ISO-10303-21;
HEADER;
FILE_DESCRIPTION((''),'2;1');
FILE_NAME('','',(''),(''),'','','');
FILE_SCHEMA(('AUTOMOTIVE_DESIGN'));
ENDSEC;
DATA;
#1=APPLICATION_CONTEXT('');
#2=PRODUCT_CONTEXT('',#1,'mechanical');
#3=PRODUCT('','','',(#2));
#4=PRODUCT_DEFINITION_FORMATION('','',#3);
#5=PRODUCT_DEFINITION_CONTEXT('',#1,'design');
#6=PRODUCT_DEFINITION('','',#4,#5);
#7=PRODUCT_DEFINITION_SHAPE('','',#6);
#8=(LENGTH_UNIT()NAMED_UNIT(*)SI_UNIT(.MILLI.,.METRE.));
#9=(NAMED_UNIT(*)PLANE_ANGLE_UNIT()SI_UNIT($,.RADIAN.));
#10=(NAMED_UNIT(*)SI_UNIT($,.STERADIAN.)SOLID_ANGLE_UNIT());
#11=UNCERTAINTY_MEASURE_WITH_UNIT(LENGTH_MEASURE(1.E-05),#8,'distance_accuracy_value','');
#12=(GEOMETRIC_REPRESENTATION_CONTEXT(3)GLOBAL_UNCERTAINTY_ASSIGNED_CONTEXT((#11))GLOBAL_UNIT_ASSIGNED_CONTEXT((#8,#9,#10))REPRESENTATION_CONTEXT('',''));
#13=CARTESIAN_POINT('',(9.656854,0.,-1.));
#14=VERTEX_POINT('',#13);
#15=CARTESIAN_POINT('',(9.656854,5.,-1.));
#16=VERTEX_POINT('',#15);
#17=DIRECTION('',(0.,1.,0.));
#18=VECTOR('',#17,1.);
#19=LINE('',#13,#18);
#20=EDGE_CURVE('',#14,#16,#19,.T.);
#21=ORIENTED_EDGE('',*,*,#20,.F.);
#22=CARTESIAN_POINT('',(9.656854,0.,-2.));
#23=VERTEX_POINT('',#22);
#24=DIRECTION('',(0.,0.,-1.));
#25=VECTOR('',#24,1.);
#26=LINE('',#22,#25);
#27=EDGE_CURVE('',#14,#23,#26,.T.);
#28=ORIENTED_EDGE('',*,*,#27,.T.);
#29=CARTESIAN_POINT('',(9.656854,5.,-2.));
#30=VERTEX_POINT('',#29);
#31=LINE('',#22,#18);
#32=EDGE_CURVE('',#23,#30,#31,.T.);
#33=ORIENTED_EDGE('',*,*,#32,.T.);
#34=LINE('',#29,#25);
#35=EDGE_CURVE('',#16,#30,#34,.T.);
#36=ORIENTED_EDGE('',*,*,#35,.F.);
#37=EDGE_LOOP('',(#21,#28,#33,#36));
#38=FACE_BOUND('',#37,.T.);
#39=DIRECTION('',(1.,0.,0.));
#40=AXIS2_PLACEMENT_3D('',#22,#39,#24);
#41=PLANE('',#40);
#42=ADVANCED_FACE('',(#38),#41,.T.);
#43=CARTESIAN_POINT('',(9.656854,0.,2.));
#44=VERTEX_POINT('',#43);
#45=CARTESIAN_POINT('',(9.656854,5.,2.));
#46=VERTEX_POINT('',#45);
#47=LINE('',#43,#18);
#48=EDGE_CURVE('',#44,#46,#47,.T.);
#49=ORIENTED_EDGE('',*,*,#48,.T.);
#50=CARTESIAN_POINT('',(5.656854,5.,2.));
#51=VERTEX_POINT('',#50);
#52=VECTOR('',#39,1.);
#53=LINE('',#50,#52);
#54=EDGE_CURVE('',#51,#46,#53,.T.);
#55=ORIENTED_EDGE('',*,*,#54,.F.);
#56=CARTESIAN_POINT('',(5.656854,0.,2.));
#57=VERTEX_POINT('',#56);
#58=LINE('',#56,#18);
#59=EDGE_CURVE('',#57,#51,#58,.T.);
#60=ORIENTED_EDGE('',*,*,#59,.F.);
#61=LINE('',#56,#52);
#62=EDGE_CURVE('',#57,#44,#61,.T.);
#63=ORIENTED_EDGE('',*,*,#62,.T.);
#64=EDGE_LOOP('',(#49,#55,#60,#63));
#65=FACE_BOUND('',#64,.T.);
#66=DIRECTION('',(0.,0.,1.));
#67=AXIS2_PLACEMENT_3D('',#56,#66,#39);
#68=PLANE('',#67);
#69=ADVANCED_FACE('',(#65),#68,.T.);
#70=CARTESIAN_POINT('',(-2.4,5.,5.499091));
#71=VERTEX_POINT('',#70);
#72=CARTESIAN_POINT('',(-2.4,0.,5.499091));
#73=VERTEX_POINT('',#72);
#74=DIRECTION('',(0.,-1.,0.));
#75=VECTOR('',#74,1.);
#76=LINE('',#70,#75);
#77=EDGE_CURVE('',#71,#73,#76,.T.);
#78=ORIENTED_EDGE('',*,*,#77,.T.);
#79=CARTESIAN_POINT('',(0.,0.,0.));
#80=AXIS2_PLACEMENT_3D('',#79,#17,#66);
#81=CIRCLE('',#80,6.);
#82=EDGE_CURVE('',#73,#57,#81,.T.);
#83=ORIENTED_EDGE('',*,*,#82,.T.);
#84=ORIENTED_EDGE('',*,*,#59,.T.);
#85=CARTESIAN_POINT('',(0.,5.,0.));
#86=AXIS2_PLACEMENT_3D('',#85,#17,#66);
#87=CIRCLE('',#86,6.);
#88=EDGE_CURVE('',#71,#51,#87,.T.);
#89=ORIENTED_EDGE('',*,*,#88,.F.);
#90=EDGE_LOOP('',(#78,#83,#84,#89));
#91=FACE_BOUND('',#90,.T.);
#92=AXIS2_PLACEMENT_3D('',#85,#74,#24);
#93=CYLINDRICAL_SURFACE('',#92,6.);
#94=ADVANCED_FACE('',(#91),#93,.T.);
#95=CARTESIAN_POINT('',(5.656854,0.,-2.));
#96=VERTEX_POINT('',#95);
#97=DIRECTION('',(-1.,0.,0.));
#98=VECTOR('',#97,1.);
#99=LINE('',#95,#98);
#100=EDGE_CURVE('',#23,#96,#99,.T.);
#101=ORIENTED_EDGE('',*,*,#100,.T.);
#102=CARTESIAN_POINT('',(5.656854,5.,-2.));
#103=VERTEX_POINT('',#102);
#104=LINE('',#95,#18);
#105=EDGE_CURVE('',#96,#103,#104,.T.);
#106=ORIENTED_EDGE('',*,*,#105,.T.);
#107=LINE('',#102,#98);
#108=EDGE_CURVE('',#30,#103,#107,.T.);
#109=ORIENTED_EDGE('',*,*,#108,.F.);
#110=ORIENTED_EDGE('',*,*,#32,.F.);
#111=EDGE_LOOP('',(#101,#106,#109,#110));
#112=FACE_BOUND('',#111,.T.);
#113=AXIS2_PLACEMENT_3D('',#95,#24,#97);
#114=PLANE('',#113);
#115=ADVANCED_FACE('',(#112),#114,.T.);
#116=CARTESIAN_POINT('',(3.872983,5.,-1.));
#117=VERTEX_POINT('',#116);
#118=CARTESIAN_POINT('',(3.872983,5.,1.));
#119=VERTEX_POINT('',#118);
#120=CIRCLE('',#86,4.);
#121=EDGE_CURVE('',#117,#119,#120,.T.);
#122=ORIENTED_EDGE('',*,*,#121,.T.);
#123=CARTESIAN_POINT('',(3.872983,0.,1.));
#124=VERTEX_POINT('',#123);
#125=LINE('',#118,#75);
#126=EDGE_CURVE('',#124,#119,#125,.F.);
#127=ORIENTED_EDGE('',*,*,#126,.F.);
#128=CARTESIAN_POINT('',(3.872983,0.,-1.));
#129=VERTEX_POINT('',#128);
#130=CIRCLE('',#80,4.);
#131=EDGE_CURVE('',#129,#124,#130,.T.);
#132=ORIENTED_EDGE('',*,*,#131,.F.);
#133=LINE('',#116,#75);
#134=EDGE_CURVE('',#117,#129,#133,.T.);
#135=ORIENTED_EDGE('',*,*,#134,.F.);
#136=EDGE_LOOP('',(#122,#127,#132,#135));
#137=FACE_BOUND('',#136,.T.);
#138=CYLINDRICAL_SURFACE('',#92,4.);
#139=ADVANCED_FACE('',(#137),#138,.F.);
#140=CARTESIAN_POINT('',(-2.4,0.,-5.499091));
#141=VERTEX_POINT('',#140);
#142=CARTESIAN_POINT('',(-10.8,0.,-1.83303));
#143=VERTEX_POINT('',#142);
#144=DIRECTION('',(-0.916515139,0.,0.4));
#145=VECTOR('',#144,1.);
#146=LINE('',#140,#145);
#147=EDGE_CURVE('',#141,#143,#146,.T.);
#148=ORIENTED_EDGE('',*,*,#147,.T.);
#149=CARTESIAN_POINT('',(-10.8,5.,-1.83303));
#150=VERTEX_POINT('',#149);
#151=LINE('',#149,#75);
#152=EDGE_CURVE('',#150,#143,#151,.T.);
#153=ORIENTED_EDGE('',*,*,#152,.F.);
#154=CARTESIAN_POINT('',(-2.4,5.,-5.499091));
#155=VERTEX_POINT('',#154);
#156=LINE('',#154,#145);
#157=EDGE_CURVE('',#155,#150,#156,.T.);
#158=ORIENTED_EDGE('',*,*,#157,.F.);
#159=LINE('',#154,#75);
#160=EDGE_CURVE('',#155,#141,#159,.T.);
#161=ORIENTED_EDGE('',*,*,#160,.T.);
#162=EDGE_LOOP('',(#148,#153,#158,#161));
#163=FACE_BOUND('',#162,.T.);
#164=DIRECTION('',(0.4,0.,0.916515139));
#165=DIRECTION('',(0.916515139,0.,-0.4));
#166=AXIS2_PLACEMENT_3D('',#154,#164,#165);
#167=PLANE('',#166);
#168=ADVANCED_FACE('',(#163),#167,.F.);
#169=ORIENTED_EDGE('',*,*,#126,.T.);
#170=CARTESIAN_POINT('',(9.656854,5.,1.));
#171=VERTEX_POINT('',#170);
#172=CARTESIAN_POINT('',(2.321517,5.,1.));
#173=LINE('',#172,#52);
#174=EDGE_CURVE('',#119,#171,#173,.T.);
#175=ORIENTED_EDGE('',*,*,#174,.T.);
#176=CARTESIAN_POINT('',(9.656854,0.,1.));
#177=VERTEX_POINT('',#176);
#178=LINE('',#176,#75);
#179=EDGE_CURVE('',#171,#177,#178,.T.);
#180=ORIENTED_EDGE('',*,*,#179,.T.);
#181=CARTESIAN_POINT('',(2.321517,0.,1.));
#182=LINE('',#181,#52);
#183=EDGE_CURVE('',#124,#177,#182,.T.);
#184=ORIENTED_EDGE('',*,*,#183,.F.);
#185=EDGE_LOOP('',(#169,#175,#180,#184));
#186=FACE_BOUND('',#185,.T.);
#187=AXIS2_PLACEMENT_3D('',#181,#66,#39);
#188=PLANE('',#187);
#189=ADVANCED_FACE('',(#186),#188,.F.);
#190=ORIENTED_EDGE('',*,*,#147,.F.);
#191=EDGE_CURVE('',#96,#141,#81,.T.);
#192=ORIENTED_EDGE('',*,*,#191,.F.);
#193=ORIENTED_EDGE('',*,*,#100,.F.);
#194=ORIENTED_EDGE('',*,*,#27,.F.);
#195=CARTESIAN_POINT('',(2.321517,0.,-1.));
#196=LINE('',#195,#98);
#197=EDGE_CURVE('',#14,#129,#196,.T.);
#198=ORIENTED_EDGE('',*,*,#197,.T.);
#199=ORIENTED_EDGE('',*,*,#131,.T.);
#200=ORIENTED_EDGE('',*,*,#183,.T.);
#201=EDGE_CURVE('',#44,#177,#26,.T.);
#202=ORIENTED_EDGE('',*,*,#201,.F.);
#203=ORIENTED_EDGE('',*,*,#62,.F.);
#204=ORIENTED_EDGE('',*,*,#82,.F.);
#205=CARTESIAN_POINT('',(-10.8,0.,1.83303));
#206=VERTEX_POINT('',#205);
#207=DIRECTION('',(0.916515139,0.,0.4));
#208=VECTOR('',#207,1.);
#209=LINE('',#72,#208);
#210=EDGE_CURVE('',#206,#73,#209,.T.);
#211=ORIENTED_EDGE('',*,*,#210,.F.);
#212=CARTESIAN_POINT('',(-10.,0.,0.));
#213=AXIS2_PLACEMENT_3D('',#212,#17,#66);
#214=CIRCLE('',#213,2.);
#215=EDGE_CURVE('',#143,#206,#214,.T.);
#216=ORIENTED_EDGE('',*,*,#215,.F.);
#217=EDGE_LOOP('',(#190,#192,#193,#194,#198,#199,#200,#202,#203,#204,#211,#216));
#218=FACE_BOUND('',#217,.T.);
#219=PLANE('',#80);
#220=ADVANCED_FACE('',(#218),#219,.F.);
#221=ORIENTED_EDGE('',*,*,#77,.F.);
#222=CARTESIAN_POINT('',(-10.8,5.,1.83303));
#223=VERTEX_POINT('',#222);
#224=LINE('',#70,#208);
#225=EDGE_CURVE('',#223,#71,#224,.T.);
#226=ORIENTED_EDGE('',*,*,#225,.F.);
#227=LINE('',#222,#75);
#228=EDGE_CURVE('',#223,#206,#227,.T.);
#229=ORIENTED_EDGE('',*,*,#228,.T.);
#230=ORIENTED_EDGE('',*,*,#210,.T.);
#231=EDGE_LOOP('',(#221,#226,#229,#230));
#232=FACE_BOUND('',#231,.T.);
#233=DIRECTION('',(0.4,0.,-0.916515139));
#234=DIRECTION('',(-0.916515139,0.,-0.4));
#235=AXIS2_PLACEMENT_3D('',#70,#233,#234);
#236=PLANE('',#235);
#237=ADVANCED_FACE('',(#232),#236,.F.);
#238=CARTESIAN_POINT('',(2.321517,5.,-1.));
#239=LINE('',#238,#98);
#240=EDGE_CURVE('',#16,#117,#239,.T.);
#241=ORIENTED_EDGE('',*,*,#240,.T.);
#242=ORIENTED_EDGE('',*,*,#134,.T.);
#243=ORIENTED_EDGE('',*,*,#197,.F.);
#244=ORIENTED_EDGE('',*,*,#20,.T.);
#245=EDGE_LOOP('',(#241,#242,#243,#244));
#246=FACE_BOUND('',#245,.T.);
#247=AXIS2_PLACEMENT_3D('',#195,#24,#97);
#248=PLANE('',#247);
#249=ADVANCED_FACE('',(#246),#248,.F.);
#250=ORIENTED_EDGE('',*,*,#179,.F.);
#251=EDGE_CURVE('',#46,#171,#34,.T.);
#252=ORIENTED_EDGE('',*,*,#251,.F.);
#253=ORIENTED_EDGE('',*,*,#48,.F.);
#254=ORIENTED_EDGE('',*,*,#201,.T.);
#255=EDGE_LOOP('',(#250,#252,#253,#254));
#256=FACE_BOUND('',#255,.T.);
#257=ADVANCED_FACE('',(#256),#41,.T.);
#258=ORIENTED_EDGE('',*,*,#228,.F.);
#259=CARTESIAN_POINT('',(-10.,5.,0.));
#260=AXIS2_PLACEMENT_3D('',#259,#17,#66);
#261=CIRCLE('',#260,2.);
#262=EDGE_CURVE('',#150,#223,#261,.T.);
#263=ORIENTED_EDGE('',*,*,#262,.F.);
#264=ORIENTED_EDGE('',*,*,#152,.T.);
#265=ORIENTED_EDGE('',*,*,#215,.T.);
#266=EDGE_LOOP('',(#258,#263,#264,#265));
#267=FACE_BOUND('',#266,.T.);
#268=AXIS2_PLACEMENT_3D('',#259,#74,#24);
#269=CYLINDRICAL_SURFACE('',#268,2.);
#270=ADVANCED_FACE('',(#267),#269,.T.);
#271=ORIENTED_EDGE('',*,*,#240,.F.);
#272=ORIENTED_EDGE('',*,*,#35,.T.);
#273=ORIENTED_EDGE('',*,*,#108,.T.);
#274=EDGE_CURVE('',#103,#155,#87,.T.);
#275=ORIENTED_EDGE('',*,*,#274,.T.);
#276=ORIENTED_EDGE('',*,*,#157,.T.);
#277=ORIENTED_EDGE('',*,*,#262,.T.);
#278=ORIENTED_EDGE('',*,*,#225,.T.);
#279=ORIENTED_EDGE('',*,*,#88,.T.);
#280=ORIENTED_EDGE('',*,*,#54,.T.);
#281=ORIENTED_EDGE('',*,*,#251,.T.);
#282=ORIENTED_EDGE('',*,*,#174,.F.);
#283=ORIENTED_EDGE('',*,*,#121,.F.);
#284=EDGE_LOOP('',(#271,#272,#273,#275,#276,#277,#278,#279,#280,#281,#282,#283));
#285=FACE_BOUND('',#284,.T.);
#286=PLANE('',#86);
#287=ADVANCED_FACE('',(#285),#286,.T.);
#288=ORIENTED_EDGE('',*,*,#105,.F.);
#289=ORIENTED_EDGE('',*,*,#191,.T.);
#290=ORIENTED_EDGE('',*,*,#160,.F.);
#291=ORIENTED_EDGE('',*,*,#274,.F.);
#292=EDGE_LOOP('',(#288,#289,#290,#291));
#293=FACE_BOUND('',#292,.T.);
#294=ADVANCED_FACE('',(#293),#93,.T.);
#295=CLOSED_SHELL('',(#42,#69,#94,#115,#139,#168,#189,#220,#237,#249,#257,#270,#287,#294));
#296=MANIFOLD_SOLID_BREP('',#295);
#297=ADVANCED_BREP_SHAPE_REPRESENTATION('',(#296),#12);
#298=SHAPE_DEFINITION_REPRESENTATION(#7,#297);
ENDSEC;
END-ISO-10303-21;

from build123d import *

# Parameters (mm, degrees)
RESSALTO_EXTRUS_O1_DEPTH = 5
ESBO_O3_W                = 4
ESBO_O3_H                = 4
RESSALTO_EXTRUS_O2_DEPTH = 5
ESBO_O5_W                = 9.102985385
ESBO_O5_H                = 2
CORTE_EXTRUS_O1_DEPTH    = 5


with BuildPart() as part:
    # Esboço2 → Ressalto-extrusão1 (new body)
    with BuildSketch(Plane(origin=(0, 0, 0), x_dir=(1, 0, 0), z_dir=(0, 1, 0))):
        with BuildLine():
            ThreePointArc((-2.4, -5.499090834), (3.286335345, -5.019960159), (6, 0))
            Line((6, 0), (4, 0))
            ThreePointArc((4, 0), (0, -4), (-4, 0))
            Line((-4, 0), (-6, 0))
            ThreePointArc((-6, 0), (-5.019960159, -3.286335345), (-2.4, -5.499090834))
        make_face()
        with BuildLine():
            Line((4, 0), (6, 0))
            ThreePointArc((6, 0), (3.286335345, 5.019960159), (-2.4, 5.499090834))
            ThreePointArc((-2.4, 5.499090834), (-5.019960159, 3.286335345), (-6, 0))
            Line((-6, 0), (-4, 0))
            ThreePointArc((-4, 0), (0, 4), (4, 0))
        make_face()
        with BuildLine():
            Line((-10.8, -1.833030278), (-2.4, -5.499090834))
            ThreePointArc((-2.4, -5.499090834), (-5.019960159, -3.286335345), (-6, 0))
            Line((-6, 0), (-8, 0))
            ThreePointArc((-8, 0), (-8.904554885, -1.673320053), (-10.8, -1.833030278))
        make_face()
        with BuildLine():
            ThreePointArc((-6, 0), (-5.019960159, 3.286335345), (-2.4, 5.499090834))
            Line((-2.4, 5.499090834), (-10.8, 1.833030278))
            ThreePointArc((-10.8, 1.833030278), (-8.904554885, 1.673320053), (-8, 0))
            Line((-8, 0), (-6, 0))
        make_face()
        with BuildLine():
            ThreePointArc((-8, 0), (-8.904554885, 1.673320053), (-10.8, 1.833030278))
            ThreePointArc((-10.8, 1.833030278), (-11.673320053, 1.095445115), (-12, 0))
            Line((-12, 0), (-8, 0))
        make_face()
        with BuildLine():
            ThreePointArc((-12, 0), (-11.673320053, -1.095445115), (-10.8, -1.833030278))
            ThreePointArc((-10.8, -1.833030278), (-8.904554885, -1.673320053), (-8, 0))
            Line((-8, 0), (-12, 0))
        make_face()
    extrude(amount=RESSALTO_EXTRUS_O1_DEPTH)

    # Esboço3 → Ressalto-extrusão2 (add, through all)
    with BuildSketch(Plane(origin=(0, 5, 0), x_dir=(1, 0, 0), z_dir=(0, 1, 0))):
        with Locations((7.656854249, 0)):
            Rectangle(ESBO_O3_W, ESBO_O3_H)
    extrude(amount=-RESSALTO_EXTRUS_O2_DEPTH)

    # Esboço5 → Corte-extrusão1 (cut)
    with BuildSketch(Plane(origin=(0, 5, 0), x_dir=(1, 0, 0), z_dir=(0, 1, 0))):
        with Locations((6.873009698, 0)):
            Rectangle(ESBO_O5_W, ESBO_O5_H)
    extrude(amount=-CORTE_EXTRUS_O1_DEPTH, mode=Mode.SUBTRACT)


solid = part.part
